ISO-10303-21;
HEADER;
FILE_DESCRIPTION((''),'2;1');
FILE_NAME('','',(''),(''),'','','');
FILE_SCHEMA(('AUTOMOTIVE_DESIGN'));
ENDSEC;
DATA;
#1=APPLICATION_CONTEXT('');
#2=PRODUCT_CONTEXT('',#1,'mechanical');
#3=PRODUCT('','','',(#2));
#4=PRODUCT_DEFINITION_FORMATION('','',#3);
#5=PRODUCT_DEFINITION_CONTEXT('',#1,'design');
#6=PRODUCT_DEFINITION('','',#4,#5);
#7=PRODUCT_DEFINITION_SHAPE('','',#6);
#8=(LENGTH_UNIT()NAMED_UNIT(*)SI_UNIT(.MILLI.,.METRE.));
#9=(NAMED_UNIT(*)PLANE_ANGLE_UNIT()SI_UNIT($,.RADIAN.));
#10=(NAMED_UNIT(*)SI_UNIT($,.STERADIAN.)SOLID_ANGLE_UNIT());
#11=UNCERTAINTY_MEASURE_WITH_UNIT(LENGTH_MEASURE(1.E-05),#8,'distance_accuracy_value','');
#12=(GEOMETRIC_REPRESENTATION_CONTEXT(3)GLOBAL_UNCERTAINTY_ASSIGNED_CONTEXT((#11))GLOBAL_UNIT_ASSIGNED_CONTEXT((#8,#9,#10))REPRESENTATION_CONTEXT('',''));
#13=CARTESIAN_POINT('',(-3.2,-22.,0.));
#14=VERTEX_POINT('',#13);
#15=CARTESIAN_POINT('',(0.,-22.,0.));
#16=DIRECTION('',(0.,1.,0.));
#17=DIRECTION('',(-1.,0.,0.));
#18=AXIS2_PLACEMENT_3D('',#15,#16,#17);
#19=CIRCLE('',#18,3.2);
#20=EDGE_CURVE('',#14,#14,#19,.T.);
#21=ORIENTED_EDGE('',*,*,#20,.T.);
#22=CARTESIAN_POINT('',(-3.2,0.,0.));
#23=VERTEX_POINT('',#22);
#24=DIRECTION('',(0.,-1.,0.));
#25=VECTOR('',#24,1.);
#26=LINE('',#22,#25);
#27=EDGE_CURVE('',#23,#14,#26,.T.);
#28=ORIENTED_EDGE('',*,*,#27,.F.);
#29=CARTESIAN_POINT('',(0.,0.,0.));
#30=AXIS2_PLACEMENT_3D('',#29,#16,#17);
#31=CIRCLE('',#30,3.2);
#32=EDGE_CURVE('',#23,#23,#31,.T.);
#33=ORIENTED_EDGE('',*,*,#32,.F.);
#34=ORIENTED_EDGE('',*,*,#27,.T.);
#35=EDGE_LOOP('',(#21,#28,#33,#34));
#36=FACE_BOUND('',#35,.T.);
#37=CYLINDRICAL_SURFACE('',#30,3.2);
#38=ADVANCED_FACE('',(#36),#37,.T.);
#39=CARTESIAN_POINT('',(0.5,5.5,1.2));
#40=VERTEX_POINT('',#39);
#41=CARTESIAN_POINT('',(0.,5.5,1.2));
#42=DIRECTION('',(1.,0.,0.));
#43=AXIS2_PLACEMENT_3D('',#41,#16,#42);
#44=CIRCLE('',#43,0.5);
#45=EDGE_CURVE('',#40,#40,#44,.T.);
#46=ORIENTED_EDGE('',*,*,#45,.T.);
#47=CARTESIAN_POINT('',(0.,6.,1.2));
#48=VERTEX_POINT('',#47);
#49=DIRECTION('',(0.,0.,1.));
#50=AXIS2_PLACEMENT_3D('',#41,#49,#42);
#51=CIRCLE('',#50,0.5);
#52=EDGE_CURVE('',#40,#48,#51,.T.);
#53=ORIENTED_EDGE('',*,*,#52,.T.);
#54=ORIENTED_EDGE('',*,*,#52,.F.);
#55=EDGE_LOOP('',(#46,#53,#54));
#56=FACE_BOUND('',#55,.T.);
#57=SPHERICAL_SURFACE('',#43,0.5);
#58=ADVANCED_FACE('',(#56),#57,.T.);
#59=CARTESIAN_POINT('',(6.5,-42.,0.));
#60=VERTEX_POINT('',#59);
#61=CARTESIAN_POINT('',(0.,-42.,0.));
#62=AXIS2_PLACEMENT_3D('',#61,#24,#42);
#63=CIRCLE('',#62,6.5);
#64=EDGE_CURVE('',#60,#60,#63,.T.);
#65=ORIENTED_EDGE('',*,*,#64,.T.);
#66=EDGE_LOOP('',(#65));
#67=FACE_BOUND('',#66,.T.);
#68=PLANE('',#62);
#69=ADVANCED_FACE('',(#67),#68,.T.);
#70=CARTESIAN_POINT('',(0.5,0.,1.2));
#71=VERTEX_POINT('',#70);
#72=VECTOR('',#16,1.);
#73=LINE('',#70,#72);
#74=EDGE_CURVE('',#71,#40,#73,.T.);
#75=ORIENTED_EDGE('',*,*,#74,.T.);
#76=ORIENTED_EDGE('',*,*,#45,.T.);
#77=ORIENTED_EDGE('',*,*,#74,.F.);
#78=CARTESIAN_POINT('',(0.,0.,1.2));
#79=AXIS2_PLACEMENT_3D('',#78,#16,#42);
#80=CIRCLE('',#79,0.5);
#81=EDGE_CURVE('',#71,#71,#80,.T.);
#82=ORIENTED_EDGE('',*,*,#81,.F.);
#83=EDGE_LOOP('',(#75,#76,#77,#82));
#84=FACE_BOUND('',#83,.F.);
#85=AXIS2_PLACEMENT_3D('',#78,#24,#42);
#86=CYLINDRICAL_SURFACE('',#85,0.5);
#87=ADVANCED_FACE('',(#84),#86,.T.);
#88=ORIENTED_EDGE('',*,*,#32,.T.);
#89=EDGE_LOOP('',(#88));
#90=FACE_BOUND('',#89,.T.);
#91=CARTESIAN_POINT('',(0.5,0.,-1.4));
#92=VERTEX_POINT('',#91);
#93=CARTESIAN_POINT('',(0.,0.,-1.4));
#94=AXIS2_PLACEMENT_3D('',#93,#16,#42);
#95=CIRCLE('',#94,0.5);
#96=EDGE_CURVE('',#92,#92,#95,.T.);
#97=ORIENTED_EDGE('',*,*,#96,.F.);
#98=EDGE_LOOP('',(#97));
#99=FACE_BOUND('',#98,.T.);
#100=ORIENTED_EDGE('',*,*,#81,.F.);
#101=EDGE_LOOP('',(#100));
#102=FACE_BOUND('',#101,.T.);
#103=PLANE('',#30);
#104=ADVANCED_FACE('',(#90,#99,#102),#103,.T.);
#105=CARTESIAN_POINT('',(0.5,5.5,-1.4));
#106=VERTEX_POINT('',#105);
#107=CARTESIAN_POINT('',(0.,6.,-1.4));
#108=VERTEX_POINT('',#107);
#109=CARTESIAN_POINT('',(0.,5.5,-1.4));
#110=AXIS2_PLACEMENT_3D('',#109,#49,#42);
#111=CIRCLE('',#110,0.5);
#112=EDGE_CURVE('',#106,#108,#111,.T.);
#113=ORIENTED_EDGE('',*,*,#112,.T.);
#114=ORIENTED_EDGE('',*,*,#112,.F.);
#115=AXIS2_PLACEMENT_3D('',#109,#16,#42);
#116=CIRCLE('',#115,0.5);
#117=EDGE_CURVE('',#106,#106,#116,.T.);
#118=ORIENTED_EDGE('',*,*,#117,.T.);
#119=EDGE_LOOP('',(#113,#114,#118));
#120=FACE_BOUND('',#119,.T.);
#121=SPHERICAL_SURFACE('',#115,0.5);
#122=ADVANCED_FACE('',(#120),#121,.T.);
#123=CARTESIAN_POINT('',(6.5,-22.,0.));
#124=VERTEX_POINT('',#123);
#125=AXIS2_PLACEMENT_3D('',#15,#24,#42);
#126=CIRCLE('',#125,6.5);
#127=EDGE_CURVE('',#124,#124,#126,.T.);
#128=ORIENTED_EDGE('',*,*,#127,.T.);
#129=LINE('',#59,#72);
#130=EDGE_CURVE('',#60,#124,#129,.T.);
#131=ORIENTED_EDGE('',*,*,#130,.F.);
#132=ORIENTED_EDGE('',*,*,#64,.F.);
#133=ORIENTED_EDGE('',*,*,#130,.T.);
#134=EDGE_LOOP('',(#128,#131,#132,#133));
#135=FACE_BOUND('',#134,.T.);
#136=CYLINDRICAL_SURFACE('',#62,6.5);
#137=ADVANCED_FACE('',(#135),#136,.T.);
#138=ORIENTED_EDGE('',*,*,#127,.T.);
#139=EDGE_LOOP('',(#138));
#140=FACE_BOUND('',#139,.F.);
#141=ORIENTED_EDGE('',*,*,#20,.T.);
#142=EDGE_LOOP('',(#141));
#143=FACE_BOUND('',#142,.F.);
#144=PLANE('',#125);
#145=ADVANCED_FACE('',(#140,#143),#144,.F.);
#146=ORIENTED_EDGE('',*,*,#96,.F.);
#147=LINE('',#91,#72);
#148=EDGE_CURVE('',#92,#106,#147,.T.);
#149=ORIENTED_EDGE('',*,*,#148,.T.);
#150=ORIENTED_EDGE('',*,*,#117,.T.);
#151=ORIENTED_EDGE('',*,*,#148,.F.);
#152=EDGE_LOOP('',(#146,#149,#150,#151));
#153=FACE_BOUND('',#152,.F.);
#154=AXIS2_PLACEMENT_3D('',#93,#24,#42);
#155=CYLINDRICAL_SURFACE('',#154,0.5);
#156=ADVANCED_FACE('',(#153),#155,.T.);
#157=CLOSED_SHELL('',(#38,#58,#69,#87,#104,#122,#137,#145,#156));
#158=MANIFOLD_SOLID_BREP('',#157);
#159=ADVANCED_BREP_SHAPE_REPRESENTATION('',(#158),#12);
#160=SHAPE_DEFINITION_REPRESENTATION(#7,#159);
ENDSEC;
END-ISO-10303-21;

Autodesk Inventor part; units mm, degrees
ref_plane "YZ Plane" through (0, 0, 0) normal (1, 0, 0) x (0, 1, 0)
ref_plane "XZ Plane" through (0, 0, 0) normal (0, 1, 0) x (-1, 0, 0)
ref_plane "XY Plane" through (0, 0, 0) normal (0, 0, 1) x (1, 0, 0)
sketch "Sketch1" plane through (0, 0, 0) normal (0, 1, 0) x (-1, 0, 0)
  circle A0 centre (0, 0) radius 3.2
  dimension "d0" = 6.4
extrude "Extrusion1" add sketch "Sketch1" against normal blind 42
sketch "Sketch2" plane through (0, -42, 0) normal (0, -1, 0) x (1, 0, 0)
  circle A0 centre (0, 0) radius 6.5
  dimension "d3" = 13
extrude "Extrusion2" add sketch "Sketch2" against normal blind 20
sketch "Sketch3" plane through (0, 0, 0) normal (0, 1, 0) x (1, 0, 0)
  circle A0 centre (0, 0) radius 3.2 projected
  line L0 (0, -3.2) -> (0, 3.2) construction
  circle A1 centre (0, -1.2) radius 0.5
  circle A2 centre (0, 1.4) radius 0.5
  dimension "d6" = 0
  dimension "d7" = 1
  dimension "d8" = 1
  dimension "d9" = 1.8
  dimension "d10" = 2.6
extrude "Extrusion3" add sketch "Sketch3" along normal blind 6 contours A1 | A2
fillet "Fillet1" radius 0.5 2 edges at (-0.5, 6, -1.4) (-0.5, 6, 1.2)
properties part number "Arc Water Sensor"
